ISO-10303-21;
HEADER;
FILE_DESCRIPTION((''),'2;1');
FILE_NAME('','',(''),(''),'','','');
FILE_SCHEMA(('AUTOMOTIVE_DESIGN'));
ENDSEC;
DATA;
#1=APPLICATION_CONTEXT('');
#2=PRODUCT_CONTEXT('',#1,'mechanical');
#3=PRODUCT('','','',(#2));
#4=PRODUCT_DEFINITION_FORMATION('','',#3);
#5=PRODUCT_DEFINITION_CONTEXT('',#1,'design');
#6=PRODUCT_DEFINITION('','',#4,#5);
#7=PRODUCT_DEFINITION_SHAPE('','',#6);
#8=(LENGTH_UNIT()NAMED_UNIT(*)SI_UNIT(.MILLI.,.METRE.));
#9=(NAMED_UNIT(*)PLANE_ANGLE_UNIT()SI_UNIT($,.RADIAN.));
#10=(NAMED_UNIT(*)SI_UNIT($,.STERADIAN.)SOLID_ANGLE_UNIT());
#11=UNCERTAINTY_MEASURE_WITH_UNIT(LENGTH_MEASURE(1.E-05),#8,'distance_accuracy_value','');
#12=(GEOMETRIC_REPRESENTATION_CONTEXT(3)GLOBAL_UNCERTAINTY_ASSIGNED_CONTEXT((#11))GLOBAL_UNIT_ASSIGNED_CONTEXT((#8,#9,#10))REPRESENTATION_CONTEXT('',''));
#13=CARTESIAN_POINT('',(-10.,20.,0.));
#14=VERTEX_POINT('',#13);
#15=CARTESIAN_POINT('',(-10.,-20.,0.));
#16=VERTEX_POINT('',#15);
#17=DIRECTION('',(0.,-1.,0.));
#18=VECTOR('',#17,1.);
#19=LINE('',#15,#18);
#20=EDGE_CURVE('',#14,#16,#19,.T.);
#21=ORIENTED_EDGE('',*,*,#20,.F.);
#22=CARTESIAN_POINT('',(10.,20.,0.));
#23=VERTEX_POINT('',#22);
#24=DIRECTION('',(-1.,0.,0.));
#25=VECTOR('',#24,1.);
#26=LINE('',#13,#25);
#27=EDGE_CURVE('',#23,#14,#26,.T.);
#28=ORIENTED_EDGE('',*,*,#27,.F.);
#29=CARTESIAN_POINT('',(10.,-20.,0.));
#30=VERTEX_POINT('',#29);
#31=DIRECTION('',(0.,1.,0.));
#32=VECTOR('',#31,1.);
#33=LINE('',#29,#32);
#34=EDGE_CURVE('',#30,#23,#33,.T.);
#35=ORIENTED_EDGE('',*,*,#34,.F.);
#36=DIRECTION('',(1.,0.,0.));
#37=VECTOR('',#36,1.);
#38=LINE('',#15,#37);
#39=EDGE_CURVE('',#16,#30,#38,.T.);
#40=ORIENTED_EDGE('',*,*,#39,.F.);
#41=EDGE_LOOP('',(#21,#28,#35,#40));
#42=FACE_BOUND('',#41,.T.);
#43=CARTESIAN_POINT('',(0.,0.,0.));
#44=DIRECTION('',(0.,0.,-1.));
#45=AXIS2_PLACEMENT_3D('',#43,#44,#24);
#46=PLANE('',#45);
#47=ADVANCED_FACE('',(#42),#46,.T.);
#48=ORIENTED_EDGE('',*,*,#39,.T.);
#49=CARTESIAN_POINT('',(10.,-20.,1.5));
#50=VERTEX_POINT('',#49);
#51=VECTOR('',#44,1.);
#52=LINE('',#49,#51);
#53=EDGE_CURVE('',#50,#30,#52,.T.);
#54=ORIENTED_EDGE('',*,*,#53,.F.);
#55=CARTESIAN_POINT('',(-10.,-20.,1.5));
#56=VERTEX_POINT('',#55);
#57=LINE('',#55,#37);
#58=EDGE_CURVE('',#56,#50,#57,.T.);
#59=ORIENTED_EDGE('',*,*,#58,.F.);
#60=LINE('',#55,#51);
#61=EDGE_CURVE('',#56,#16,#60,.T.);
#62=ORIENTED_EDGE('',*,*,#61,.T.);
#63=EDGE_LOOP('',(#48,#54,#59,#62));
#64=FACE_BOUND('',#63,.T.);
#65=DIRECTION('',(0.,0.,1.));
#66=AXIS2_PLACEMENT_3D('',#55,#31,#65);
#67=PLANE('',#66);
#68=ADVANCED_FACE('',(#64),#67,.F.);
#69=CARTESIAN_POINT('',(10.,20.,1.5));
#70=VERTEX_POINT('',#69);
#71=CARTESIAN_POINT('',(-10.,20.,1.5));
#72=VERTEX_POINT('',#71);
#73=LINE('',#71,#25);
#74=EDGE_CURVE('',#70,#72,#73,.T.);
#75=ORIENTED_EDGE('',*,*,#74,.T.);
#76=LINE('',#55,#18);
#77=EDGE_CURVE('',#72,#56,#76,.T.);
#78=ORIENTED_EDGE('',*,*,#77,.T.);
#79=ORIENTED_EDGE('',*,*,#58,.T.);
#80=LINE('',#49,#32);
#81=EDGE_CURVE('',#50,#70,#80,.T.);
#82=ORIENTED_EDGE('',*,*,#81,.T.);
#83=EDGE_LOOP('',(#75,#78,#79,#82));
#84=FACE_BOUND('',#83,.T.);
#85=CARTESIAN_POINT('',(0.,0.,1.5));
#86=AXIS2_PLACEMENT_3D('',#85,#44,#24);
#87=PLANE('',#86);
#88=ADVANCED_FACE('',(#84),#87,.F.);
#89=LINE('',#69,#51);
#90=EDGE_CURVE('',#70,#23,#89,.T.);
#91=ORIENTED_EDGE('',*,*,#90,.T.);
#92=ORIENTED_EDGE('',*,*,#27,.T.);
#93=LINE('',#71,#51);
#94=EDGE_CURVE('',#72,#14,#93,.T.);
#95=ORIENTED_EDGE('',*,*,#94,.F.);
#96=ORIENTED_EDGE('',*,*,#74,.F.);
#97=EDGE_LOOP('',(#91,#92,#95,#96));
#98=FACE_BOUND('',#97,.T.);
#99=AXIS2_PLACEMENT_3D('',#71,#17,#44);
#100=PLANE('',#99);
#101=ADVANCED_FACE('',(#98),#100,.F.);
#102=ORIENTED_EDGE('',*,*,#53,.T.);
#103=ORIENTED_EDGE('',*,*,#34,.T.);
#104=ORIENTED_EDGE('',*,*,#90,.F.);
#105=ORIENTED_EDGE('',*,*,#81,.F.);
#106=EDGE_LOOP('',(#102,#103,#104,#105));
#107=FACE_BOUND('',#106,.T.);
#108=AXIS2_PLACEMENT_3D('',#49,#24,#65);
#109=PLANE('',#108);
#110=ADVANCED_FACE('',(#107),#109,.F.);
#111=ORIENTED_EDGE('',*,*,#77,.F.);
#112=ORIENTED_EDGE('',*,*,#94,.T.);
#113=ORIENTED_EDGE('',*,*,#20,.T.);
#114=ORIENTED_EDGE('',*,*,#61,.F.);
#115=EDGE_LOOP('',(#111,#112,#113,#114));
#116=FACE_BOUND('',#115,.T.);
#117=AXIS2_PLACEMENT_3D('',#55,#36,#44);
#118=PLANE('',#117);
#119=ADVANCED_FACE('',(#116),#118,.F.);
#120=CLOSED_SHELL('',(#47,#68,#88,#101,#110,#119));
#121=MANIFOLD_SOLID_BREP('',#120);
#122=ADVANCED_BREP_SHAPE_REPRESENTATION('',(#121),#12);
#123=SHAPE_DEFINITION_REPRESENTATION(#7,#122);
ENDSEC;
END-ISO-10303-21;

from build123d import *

# Parameters (mm, degrees)
SKETCH_1_W      = 20
SKETCH_1_H      = 40
EXTRUDE_1_DEPTH = 1.5


with BuildPart() as part:
    # 草图1 → 凸台-拉伸1 (new body)
    with BuildSketch(Plane.XY):
        Rectangle(SKETCH_1_W, SKETCH_1_H)
    extrude(amount=EXTRUDE_1_DEPTH)


solid = part.part
